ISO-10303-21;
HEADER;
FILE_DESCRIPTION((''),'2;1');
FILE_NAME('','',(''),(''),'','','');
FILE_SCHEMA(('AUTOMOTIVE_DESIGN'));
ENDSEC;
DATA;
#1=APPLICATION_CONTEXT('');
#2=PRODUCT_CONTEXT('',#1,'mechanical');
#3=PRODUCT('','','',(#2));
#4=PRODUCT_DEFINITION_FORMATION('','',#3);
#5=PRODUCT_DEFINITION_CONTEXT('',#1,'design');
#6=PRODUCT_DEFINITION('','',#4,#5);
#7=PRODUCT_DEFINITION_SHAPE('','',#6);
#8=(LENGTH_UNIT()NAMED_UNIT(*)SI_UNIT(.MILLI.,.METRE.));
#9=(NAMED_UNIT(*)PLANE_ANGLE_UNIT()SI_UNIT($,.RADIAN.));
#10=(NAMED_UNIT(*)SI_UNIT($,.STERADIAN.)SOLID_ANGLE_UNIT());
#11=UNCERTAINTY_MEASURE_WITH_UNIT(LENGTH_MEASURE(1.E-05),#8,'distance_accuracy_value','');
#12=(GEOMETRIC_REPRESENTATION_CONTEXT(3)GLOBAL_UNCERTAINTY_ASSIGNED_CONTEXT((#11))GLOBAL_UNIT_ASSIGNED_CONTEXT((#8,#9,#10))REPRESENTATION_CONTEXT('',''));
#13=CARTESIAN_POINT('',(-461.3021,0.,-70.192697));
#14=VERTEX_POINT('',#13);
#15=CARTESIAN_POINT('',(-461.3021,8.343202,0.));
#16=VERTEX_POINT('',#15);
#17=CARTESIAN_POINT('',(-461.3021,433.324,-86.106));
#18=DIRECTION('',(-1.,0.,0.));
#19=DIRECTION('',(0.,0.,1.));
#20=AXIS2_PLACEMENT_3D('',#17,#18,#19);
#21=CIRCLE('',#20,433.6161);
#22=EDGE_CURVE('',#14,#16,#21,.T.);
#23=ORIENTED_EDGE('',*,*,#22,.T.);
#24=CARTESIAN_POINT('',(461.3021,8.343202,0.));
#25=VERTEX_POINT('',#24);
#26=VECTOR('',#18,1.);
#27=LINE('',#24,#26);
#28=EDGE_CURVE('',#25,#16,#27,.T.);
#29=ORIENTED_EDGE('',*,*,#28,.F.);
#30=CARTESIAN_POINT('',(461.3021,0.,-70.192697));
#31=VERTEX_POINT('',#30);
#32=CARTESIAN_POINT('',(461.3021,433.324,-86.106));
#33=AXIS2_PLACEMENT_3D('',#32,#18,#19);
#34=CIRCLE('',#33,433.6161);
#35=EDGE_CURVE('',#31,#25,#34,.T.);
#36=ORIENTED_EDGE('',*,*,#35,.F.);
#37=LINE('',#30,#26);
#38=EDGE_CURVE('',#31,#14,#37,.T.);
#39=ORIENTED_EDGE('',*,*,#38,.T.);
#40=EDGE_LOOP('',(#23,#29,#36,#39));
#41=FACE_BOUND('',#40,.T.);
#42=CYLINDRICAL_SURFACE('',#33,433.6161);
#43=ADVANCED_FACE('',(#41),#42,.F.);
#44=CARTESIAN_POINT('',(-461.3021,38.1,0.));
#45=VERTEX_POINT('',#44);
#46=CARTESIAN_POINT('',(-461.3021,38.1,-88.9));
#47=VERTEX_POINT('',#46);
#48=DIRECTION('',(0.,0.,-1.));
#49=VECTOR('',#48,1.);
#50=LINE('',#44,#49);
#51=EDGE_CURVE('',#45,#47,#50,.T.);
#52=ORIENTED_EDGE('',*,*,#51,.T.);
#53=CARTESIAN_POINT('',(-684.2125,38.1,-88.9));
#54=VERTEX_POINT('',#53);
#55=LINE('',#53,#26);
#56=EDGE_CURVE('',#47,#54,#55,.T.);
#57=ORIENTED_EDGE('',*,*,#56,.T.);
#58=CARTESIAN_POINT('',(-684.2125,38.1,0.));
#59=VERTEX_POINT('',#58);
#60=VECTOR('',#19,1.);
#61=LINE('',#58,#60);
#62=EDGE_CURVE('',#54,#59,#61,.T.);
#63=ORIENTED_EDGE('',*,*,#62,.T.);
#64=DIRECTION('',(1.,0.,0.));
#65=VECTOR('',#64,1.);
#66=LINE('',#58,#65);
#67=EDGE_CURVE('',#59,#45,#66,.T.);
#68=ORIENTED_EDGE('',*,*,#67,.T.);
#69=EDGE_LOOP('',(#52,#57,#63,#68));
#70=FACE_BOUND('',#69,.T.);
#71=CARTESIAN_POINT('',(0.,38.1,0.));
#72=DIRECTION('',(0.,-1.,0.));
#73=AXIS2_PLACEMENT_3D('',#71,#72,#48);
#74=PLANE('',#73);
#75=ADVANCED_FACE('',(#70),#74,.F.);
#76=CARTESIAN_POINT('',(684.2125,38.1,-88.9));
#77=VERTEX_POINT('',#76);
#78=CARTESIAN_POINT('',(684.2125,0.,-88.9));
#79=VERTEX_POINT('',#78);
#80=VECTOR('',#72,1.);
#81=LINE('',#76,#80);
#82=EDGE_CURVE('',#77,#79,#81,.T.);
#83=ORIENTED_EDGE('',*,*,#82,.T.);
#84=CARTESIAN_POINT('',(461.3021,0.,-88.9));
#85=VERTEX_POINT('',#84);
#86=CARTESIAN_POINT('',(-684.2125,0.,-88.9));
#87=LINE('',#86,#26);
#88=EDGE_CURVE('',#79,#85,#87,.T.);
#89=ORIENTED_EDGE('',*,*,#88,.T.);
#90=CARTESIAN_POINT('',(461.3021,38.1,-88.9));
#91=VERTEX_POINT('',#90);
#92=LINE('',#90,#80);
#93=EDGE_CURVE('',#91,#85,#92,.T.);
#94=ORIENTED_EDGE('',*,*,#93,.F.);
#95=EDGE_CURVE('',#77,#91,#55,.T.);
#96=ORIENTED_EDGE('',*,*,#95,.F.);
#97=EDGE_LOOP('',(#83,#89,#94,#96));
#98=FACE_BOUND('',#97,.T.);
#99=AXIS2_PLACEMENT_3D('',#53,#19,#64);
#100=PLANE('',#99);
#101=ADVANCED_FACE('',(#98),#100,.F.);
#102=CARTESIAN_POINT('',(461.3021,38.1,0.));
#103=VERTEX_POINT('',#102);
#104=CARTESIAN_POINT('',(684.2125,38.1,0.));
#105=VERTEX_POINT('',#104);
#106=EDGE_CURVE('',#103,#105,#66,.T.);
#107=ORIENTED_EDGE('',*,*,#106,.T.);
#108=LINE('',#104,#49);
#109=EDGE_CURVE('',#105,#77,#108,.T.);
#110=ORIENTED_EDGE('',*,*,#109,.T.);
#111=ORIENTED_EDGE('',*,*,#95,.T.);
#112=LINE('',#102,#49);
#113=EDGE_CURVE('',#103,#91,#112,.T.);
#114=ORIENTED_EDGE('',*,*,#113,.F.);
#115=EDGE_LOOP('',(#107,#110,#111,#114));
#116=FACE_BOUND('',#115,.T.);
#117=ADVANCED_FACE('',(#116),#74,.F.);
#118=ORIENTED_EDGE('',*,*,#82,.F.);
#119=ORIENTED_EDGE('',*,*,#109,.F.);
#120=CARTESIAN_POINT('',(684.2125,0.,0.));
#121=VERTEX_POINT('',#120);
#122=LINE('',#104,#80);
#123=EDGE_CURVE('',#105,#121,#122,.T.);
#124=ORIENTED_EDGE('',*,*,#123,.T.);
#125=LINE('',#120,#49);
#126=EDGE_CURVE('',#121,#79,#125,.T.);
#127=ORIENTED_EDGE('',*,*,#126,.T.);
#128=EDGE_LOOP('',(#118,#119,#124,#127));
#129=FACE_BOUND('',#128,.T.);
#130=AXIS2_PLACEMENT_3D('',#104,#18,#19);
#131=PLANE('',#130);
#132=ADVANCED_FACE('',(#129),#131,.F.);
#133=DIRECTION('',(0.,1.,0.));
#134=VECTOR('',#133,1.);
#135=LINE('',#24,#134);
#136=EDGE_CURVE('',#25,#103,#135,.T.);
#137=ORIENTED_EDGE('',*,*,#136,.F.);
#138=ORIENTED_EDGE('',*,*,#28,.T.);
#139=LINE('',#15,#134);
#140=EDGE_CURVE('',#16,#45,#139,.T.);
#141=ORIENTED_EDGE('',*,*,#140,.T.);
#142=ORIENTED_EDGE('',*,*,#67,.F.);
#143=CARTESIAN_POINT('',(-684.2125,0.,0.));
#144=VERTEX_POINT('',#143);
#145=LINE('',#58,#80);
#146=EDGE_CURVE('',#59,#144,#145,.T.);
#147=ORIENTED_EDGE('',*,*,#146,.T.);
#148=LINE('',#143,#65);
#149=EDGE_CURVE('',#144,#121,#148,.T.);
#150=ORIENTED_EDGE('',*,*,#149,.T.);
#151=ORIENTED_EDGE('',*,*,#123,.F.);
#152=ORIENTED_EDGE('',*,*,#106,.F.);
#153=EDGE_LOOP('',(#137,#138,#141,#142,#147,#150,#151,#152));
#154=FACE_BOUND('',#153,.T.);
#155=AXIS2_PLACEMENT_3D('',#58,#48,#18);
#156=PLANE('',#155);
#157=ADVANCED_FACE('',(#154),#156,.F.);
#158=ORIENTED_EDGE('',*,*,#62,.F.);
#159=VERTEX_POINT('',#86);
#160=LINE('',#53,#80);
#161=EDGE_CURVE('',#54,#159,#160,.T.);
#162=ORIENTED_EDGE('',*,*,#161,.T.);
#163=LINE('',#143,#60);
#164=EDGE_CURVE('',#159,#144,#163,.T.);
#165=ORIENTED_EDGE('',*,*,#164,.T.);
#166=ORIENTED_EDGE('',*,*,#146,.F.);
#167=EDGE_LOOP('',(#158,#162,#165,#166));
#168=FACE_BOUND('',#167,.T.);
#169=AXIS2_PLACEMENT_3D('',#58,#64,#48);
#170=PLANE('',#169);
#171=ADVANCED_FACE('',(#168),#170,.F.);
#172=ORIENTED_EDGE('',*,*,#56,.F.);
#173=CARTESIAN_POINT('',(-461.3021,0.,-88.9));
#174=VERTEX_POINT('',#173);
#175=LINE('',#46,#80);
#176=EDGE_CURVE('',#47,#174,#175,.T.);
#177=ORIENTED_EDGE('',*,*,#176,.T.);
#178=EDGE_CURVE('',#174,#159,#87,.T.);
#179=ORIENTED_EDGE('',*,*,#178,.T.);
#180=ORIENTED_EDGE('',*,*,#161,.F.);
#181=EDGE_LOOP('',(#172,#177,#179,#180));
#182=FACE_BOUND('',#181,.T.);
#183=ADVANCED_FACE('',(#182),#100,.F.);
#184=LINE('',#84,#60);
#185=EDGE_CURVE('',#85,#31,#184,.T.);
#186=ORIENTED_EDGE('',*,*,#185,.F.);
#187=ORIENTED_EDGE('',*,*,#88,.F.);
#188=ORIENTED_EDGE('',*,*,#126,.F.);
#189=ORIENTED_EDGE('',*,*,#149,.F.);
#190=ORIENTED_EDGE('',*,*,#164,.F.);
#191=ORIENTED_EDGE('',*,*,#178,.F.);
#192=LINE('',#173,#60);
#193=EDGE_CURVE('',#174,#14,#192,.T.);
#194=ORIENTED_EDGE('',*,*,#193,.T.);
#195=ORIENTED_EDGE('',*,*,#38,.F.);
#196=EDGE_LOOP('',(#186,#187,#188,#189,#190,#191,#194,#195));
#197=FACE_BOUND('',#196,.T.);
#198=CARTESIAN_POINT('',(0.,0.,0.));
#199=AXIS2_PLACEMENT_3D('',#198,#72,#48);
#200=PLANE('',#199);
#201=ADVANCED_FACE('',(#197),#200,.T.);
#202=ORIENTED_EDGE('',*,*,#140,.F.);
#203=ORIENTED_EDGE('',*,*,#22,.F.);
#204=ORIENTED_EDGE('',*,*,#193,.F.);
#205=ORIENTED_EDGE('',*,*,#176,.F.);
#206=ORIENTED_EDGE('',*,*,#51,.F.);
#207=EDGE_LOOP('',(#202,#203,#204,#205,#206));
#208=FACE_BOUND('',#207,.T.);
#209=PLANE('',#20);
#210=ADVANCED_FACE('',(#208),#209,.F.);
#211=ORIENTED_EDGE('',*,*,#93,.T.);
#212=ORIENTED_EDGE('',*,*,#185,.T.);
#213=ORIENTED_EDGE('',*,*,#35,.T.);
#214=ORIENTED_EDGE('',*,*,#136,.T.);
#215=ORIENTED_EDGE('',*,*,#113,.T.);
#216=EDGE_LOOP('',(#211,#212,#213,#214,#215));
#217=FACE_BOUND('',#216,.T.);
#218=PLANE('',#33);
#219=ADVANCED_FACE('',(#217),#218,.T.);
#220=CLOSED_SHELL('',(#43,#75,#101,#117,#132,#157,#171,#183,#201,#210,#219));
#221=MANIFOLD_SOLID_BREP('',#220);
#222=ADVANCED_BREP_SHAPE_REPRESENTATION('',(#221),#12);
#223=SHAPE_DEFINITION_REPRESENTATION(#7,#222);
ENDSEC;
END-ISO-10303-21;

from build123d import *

# Parameters (mm, degrees)
SKETCH1_W           = 1368.425
SKETCH1_H           = 88.9
BOSS_EXTRUDE1_DEPTH = 38.1
CUT_EXTRUDE2_DEPTH  = 461.3021


with BuildPart() as part:
    # Sketch1 → Boss-Extrude1 (new body)
    with BuildSketch(Plane(origin=(0, 0, 0), x_dir=(1, 0, 0), z_dir=(0, 1, 0))):
        with Locations((0, 44.45)):
            Rectangle(SKETCH1_W, SKETCH1_H)
    extrude(amount=BOSS_EXTRUDE1_DEPTH)

    # Sketch3 → Cut-Extrude2 (cut, symmetric)
    with BuildSketch(Plane.ZY):
        with BuildLine():
            Line((-88.9, 0), (-70.192697288, 0))
            ThreePointArc((-70.192697288, 0), (-34.926054855, 2.738891811), (0, 8.343201677))
            Line((0, 8.343201677), (0, 38.1))
            Line((0, 38.1), (-88.9, 38.1))
            Line((-88.9, 38.1), (-88.9, 0))
        make_face()
    extrude(amount=CUT_EXTRUDE2_DEPTH, both=True, mode=Mode.SUBTRACT)


solid = part.part
